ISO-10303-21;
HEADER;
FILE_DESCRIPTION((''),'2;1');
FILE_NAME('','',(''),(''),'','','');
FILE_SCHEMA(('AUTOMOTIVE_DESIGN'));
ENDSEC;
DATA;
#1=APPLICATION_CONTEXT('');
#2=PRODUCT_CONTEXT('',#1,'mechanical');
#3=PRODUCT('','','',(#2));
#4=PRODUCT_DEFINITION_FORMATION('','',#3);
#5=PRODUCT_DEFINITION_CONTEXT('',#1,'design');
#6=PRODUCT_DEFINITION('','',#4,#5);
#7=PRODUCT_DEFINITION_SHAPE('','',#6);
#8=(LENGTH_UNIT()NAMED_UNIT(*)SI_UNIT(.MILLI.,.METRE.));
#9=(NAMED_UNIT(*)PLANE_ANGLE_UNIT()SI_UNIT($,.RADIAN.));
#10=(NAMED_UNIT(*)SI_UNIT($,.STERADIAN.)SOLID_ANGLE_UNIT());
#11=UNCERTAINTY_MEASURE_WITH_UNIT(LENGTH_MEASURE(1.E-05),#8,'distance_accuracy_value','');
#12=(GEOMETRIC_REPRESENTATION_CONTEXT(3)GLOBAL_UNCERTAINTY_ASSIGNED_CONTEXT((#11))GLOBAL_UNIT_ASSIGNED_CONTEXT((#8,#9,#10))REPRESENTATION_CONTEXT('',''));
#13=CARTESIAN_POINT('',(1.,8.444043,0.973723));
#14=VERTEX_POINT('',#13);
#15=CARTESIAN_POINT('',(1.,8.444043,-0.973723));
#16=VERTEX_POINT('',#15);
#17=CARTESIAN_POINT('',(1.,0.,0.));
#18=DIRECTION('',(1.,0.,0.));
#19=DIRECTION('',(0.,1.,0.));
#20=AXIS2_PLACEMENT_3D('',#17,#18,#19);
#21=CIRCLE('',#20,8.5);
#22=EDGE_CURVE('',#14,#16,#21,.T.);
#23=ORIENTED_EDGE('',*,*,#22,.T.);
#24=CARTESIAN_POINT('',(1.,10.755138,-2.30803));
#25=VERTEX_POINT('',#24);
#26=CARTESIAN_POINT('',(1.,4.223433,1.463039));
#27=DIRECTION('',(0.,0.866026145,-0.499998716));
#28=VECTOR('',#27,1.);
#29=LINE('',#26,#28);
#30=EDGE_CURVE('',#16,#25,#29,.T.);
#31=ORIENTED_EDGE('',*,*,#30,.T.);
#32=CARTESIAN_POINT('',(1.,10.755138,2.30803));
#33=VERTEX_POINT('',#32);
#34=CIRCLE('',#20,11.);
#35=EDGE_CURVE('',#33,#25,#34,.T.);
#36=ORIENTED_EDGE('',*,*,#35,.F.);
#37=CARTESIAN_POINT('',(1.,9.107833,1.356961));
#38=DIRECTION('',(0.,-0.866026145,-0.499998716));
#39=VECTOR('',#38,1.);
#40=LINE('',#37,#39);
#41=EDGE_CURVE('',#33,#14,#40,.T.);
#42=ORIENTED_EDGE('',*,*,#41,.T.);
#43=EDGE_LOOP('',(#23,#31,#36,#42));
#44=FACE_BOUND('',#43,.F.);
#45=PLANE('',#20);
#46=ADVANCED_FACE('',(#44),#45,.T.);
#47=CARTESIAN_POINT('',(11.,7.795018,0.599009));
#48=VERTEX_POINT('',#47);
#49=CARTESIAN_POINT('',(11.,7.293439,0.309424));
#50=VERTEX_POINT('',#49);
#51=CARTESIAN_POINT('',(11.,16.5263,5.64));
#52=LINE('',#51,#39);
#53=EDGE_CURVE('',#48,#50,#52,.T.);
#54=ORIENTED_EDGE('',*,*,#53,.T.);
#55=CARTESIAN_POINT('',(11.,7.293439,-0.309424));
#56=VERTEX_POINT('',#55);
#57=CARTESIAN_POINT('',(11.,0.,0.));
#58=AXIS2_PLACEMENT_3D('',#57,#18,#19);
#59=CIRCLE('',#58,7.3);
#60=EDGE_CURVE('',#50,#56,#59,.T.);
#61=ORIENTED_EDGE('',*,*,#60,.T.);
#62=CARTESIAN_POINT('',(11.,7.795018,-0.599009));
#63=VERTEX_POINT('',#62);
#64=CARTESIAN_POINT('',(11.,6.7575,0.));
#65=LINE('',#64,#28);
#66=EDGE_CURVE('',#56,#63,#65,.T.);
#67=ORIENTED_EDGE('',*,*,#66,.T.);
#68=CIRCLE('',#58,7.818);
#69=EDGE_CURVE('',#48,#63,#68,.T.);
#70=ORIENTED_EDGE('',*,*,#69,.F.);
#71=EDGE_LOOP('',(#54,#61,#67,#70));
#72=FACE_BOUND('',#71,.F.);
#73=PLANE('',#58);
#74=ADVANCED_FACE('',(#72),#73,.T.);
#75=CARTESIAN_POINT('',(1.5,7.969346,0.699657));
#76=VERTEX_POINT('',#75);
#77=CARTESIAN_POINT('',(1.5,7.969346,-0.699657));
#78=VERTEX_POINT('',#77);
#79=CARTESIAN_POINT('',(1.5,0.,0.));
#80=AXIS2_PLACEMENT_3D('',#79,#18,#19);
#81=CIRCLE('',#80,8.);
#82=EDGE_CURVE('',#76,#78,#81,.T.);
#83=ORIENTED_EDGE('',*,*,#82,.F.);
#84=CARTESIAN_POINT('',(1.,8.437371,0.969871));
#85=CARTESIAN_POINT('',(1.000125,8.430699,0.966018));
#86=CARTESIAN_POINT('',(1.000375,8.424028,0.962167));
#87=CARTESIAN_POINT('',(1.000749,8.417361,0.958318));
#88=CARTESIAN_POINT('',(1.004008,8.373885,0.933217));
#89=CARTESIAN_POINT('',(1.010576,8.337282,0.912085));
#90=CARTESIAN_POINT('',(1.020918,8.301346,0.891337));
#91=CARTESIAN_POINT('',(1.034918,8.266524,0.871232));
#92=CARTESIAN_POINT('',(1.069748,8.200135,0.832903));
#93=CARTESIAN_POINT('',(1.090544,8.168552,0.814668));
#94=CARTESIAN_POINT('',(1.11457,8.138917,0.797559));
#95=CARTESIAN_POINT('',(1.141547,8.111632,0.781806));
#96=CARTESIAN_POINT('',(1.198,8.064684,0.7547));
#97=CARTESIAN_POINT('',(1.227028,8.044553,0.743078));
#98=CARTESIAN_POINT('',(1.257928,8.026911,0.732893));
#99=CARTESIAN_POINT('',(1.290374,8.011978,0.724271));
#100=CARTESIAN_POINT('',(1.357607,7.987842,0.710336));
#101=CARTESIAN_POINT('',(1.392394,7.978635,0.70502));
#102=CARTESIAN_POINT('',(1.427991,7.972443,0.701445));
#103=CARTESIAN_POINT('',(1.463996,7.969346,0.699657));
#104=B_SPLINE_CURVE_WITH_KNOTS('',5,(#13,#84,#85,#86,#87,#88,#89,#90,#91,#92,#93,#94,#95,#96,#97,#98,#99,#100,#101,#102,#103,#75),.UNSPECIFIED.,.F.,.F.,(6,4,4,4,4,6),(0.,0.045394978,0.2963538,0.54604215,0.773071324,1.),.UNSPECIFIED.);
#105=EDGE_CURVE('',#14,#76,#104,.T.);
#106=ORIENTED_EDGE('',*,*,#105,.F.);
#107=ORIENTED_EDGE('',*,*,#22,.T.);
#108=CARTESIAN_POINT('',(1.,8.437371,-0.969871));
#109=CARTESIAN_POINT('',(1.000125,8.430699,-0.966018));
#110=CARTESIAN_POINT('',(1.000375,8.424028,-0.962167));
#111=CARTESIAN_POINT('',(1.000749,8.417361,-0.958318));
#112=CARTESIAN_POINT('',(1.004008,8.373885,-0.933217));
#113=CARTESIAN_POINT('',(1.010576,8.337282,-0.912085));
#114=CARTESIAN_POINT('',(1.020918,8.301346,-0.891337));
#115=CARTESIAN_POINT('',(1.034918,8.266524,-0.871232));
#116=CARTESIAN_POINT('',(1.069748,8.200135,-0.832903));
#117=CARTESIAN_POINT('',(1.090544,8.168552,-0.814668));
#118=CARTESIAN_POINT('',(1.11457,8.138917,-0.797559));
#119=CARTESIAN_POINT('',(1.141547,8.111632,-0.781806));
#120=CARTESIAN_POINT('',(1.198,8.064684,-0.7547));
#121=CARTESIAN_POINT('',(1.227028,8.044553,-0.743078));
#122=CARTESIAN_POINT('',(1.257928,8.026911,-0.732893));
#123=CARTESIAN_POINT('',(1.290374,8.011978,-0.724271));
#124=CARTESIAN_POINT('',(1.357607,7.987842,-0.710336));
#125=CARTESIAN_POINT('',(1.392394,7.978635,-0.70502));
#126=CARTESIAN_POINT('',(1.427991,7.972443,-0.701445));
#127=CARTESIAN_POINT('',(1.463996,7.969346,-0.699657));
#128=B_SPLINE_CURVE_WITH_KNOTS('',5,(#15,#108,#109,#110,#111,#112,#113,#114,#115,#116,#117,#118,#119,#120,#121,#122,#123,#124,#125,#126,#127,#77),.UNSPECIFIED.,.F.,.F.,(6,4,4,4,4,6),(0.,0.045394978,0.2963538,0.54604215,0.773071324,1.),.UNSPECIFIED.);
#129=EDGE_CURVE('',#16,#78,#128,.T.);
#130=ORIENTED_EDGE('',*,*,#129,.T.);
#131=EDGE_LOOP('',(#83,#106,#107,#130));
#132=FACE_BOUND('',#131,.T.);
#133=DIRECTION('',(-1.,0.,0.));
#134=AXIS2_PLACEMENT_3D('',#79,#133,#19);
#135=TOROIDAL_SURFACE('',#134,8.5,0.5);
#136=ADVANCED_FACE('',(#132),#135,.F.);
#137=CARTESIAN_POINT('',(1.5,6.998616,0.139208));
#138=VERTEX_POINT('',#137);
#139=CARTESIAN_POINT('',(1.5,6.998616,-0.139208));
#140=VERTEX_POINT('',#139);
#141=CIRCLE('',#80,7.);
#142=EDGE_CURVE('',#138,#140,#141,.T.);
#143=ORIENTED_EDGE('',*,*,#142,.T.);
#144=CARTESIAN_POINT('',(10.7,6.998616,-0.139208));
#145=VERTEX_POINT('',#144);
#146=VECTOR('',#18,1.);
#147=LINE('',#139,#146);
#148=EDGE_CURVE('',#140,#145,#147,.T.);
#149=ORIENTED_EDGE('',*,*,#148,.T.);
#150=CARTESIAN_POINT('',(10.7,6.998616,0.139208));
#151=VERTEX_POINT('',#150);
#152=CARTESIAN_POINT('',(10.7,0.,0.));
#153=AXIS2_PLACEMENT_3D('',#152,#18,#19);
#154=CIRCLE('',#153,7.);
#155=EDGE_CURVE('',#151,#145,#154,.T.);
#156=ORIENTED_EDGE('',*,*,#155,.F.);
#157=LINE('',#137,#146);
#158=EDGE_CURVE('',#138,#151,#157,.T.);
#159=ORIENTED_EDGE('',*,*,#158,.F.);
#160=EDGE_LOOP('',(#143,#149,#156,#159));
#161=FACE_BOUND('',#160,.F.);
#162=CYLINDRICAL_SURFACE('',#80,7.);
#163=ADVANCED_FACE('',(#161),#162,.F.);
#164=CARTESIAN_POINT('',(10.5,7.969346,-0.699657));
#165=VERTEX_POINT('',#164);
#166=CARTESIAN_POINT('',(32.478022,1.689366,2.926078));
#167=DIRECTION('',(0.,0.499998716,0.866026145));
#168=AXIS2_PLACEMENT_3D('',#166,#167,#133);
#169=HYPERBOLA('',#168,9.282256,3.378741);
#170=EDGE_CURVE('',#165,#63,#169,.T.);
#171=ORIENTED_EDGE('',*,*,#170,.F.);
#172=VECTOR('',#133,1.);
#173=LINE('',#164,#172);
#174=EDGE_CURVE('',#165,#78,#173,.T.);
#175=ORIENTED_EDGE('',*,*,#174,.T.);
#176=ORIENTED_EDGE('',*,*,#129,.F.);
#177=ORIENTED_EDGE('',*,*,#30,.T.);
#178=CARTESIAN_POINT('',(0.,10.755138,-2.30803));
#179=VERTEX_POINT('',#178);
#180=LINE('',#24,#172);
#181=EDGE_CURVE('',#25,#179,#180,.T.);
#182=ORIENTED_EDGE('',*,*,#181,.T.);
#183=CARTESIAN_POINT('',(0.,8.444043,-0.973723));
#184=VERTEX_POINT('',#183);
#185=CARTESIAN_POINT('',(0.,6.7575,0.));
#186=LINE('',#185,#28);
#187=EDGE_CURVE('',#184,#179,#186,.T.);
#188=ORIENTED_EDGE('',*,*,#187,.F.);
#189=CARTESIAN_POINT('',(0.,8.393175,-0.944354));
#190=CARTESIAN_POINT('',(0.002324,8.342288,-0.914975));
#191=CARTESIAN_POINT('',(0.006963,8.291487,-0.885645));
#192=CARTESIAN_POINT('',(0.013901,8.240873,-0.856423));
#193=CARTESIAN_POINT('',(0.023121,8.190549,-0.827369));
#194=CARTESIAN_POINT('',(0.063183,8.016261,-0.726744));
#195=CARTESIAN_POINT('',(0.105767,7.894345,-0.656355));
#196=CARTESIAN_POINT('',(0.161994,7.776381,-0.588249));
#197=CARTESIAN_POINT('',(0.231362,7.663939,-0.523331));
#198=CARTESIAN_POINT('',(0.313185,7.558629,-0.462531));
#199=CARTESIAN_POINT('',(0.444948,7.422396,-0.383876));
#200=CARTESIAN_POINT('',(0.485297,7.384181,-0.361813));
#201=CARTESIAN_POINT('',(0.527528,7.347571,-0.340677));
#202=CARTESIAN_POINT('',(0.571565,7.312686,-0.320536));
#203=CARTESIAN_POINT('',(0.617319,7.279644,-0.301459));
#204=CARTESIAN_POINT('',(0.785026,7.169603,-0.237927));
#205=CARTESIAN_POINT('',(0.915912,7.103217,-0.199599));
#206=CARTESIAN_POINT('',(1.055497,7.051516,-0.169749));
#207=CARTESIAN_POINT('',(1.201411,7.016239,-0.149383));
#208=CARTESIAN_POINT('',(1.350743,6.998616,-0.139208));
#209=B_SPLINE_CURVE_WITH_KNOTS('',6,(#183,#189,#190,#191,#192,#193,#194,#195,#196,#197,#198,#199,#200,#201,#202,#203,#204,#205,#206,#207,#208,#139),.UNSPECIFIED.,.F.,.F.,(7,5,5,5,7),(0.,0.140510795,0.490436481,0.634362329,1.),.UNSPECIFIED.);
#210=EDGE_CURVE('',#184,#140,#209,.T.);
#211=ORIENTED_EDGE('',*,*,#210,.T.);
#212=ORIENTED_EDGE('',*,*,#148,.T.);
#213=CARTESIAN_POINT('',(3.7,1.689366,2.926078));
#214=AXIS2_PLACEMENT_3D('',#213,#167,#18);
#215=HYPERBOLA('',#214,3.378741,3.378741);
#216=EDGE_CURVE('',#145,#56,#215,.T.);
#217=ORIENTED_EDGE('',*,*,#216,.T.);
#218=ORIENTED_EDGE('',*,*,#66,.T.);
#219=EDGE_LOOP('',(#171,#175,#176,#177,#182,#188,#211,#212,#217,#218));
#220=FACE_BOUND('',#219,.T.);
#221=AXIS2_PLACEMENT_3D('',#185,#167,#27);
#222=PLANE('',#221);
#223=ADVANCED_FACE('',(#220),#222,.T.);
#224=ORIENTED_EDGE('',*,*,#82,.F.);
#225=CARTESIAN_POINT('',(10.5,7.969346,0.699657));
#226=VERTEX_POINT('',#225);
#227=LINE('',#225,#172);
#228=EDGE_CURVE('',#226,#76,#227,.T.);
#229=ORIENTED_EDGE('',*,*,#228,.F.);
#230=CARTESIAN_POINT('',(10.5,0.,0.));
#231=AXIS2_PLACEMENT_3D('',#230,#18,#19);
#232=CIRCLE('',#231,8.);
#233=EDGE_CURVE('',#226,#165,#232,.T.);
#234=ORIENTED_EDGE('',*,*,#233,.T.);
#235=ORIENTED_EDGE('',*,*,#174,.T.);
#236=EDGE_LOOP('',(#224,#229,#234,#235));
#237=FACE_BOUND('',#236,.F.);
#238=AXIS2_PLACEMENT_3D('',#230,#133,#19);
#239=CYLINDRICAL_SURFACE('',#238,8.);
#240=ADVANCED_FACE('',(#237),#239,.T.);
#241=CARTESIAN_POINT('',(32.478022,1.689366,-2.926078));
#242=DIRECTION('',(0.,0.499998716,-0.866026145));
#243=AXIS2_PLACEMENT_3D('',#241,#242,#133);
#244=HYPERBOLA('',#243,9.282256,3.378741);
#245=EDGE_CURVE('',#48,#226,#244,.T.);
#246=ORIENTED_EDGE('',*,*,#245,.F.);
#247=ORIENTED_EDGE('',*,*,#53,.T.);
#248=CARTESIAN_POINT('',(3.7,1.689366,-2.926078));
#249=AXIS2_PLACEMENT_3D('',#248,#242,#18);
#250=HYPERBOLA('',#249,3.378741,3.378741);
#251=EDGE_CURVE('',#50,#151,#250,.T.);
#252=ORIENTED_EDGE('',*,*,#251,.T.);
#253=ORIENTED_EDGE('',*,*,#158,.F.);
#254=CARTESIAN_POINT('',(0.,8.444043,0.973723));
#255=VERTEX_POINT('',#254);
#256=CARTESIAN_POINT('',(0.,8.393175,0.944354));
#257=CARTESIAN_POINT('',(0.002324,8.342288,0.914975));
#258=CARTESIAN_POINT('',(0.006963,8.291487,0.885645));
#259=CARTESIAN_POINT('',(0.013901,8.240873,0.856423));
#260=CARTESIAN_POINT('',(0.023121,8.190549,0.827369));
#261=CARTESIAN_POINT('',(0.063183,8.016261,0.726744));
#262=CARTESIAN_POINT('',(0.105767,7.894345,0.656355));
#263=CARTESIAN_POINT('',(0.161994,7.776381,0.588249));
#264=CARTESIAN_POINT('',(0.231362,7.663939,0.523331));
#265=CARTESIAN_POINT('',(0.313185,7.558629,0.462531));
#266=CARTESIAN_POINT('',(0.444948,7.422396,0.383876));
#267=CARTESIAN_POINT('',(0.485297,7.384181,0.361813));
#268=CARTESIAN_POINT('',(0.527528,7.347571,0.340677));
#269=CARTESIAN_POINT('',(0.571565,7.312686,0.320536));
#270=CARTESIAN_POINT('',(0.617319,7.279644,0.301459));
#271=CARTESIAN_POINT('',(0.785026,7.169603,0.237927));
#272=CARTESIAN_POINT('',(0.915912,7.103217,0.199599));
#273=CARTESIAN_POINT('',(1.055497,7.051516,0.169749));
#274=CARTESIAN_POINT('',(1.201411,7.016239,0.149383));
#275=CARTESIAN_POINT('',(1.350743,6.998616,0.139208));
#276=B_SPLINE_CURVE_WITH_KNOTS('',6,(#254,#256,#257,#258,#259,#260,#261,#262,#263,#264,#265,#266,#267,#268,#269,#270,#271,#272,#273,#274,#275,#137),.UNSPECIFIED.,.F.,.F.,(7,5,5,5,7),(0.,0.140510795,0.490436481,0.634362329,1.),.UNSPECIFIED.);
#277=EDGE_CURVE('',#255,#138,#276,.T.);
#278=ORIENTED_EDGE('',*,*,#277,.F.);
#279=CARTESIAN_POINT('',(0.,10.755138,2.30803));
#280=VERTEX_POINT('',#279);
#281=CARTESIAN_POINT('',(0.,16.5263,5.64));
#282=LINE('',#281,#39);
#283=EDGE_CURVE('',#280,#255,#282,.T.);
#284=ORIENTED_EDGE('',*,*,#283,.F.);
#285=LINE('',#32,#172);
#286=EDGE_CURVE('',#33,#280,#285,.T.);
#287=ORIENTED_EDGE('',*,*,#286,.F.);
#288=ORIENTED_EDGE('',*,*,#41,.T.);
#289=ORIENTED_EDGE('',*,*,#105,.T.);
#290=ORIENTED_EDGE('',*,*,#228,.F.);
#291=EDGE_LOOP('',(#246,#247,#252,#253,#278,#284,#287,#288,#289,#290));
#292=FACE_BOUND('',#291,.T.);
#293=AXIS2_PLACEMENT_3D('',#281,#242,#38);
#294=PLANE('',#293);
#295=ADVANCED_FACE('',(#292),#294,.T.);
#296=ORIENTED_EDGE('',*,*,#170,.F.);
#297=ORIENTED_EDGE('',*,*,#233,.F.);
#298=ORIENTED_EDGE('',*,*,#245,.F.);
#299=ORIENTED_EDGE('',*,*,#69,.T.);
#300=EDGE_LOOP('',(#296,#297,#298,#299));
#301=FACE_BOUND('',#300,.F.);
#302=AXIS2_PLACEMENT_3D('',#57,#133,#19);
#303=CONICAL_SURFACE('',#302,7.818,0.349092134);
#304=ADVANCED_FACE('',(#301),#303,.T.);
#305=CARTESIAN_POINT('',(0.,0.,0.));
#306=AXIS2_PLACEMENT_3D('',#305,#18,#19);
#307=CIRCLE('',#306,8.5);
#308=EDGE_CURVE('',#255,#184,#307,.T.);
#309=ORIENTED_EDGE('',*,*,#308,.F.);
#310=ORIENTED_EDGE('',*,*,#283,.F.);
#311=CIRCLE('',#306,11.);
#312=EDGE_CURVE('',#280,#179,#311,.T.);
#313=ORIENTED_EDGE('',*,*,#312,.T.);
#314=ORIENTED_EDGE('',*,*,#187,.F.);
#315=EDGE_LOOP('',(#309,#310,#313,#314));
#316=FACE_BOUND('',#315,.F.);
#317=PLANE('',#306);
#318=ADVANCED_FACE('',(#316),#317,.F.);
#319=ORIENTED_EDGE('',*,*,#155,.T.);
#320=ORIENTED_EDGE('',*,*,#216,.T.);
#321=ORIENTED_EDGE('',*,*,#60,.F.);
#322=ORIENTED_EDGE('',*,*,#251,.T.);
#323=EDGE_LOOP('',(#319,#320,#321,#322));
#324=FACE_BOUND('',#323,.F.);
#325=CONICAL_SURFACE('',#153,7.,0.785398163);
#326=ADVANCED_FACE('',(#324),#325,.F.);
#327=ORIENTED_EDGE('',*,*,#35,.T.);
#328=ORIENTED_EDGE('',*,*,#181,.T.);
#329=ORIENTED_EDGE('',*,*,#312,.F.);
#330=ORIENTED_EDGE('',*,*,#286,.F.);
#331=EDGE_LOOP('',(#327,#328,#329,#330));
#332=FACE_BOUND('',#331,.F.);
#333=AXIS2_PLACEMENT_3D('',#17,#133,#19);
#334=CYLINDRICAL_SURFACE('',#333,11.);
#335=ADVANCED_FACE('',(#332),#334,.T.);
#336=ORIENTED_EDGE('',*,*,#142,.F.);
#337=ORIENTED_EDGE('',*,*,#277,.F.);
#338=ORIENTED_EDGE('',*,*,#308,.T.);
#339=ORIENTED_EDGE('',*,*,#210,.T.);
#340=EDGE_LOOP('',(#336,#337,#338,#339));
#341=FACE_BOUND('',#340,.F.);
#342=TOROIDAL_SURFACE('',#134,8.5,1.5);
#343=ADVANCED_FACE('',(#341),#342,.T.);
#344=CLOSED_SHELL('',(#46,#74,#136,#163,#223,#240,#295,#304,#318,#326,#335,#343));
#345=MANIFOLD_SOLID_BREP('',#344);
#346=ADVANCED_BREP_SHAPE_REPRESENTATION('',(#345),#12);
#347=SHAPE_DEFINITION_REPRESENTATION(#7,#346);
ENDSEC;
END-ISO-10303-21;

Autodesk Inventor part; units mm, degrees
ref_plane "YZ Plane" through (0, 0, 0) normal (1, 0, 0) x (0, 1, 0)
ref_plane "XZ Plane" through (0, 0, 0) normal (0, 1, 0) x (-1, 0, 0)
ref_plane "XY Plane" through (0, 0, 0) normal (0, 0, 1) x (1, 0, 0)
sketch "Sketch_2" plane through (0, 0, 0) normal (0, 0, 1) x (1, 0, 0)
  line L0 (11, 0) -> (0, 0)
  arc A0 (0, 8.5) -> (1.5, 7) centre (1.5, 8.5) ccw
  line L1 (1.5, 7) -> (10.7, 7)
  line L2 (10.7, 7) -> (11, 7.3)
  line L3 (11, 7.3) -> (11, 7.818)
  line L4 (11, 7.818) -> (10.5, 8)
  line L5 (10.5, 8) -> (1.5, 8)
  arc A1 (1, 8.5) -> (1.5, 8) centre (1.5, 8.5) ccw
  line L6 (1, 8.5) -> (1, 11)
  line L7 (1, 11) -> (0, 11)
  line L8 (0, 11) -> (0, 8.5)
  dimension "d4" = 11
revolve "Revolution1" add sketch "Sketch_2" angle 360 about axis through (11, 0, 0) along (1, 0, 0)
sketch "Sketch_3" plane through (0, 0, 0) normal (1, 0, 0) x (0, 1, 0)
  line L0 (16.5263, 5.64) -> (6.7575, 0)
  line L1 (6.7575, 0) -> (16.5263, -5.64)
  line L2 (16.5263, -5.64) -> (16.5263, 5.64)
extrude "Extrusion1" cut sketch "Sketch_3" along normal blind 11
properties part number "LFF-1410"
